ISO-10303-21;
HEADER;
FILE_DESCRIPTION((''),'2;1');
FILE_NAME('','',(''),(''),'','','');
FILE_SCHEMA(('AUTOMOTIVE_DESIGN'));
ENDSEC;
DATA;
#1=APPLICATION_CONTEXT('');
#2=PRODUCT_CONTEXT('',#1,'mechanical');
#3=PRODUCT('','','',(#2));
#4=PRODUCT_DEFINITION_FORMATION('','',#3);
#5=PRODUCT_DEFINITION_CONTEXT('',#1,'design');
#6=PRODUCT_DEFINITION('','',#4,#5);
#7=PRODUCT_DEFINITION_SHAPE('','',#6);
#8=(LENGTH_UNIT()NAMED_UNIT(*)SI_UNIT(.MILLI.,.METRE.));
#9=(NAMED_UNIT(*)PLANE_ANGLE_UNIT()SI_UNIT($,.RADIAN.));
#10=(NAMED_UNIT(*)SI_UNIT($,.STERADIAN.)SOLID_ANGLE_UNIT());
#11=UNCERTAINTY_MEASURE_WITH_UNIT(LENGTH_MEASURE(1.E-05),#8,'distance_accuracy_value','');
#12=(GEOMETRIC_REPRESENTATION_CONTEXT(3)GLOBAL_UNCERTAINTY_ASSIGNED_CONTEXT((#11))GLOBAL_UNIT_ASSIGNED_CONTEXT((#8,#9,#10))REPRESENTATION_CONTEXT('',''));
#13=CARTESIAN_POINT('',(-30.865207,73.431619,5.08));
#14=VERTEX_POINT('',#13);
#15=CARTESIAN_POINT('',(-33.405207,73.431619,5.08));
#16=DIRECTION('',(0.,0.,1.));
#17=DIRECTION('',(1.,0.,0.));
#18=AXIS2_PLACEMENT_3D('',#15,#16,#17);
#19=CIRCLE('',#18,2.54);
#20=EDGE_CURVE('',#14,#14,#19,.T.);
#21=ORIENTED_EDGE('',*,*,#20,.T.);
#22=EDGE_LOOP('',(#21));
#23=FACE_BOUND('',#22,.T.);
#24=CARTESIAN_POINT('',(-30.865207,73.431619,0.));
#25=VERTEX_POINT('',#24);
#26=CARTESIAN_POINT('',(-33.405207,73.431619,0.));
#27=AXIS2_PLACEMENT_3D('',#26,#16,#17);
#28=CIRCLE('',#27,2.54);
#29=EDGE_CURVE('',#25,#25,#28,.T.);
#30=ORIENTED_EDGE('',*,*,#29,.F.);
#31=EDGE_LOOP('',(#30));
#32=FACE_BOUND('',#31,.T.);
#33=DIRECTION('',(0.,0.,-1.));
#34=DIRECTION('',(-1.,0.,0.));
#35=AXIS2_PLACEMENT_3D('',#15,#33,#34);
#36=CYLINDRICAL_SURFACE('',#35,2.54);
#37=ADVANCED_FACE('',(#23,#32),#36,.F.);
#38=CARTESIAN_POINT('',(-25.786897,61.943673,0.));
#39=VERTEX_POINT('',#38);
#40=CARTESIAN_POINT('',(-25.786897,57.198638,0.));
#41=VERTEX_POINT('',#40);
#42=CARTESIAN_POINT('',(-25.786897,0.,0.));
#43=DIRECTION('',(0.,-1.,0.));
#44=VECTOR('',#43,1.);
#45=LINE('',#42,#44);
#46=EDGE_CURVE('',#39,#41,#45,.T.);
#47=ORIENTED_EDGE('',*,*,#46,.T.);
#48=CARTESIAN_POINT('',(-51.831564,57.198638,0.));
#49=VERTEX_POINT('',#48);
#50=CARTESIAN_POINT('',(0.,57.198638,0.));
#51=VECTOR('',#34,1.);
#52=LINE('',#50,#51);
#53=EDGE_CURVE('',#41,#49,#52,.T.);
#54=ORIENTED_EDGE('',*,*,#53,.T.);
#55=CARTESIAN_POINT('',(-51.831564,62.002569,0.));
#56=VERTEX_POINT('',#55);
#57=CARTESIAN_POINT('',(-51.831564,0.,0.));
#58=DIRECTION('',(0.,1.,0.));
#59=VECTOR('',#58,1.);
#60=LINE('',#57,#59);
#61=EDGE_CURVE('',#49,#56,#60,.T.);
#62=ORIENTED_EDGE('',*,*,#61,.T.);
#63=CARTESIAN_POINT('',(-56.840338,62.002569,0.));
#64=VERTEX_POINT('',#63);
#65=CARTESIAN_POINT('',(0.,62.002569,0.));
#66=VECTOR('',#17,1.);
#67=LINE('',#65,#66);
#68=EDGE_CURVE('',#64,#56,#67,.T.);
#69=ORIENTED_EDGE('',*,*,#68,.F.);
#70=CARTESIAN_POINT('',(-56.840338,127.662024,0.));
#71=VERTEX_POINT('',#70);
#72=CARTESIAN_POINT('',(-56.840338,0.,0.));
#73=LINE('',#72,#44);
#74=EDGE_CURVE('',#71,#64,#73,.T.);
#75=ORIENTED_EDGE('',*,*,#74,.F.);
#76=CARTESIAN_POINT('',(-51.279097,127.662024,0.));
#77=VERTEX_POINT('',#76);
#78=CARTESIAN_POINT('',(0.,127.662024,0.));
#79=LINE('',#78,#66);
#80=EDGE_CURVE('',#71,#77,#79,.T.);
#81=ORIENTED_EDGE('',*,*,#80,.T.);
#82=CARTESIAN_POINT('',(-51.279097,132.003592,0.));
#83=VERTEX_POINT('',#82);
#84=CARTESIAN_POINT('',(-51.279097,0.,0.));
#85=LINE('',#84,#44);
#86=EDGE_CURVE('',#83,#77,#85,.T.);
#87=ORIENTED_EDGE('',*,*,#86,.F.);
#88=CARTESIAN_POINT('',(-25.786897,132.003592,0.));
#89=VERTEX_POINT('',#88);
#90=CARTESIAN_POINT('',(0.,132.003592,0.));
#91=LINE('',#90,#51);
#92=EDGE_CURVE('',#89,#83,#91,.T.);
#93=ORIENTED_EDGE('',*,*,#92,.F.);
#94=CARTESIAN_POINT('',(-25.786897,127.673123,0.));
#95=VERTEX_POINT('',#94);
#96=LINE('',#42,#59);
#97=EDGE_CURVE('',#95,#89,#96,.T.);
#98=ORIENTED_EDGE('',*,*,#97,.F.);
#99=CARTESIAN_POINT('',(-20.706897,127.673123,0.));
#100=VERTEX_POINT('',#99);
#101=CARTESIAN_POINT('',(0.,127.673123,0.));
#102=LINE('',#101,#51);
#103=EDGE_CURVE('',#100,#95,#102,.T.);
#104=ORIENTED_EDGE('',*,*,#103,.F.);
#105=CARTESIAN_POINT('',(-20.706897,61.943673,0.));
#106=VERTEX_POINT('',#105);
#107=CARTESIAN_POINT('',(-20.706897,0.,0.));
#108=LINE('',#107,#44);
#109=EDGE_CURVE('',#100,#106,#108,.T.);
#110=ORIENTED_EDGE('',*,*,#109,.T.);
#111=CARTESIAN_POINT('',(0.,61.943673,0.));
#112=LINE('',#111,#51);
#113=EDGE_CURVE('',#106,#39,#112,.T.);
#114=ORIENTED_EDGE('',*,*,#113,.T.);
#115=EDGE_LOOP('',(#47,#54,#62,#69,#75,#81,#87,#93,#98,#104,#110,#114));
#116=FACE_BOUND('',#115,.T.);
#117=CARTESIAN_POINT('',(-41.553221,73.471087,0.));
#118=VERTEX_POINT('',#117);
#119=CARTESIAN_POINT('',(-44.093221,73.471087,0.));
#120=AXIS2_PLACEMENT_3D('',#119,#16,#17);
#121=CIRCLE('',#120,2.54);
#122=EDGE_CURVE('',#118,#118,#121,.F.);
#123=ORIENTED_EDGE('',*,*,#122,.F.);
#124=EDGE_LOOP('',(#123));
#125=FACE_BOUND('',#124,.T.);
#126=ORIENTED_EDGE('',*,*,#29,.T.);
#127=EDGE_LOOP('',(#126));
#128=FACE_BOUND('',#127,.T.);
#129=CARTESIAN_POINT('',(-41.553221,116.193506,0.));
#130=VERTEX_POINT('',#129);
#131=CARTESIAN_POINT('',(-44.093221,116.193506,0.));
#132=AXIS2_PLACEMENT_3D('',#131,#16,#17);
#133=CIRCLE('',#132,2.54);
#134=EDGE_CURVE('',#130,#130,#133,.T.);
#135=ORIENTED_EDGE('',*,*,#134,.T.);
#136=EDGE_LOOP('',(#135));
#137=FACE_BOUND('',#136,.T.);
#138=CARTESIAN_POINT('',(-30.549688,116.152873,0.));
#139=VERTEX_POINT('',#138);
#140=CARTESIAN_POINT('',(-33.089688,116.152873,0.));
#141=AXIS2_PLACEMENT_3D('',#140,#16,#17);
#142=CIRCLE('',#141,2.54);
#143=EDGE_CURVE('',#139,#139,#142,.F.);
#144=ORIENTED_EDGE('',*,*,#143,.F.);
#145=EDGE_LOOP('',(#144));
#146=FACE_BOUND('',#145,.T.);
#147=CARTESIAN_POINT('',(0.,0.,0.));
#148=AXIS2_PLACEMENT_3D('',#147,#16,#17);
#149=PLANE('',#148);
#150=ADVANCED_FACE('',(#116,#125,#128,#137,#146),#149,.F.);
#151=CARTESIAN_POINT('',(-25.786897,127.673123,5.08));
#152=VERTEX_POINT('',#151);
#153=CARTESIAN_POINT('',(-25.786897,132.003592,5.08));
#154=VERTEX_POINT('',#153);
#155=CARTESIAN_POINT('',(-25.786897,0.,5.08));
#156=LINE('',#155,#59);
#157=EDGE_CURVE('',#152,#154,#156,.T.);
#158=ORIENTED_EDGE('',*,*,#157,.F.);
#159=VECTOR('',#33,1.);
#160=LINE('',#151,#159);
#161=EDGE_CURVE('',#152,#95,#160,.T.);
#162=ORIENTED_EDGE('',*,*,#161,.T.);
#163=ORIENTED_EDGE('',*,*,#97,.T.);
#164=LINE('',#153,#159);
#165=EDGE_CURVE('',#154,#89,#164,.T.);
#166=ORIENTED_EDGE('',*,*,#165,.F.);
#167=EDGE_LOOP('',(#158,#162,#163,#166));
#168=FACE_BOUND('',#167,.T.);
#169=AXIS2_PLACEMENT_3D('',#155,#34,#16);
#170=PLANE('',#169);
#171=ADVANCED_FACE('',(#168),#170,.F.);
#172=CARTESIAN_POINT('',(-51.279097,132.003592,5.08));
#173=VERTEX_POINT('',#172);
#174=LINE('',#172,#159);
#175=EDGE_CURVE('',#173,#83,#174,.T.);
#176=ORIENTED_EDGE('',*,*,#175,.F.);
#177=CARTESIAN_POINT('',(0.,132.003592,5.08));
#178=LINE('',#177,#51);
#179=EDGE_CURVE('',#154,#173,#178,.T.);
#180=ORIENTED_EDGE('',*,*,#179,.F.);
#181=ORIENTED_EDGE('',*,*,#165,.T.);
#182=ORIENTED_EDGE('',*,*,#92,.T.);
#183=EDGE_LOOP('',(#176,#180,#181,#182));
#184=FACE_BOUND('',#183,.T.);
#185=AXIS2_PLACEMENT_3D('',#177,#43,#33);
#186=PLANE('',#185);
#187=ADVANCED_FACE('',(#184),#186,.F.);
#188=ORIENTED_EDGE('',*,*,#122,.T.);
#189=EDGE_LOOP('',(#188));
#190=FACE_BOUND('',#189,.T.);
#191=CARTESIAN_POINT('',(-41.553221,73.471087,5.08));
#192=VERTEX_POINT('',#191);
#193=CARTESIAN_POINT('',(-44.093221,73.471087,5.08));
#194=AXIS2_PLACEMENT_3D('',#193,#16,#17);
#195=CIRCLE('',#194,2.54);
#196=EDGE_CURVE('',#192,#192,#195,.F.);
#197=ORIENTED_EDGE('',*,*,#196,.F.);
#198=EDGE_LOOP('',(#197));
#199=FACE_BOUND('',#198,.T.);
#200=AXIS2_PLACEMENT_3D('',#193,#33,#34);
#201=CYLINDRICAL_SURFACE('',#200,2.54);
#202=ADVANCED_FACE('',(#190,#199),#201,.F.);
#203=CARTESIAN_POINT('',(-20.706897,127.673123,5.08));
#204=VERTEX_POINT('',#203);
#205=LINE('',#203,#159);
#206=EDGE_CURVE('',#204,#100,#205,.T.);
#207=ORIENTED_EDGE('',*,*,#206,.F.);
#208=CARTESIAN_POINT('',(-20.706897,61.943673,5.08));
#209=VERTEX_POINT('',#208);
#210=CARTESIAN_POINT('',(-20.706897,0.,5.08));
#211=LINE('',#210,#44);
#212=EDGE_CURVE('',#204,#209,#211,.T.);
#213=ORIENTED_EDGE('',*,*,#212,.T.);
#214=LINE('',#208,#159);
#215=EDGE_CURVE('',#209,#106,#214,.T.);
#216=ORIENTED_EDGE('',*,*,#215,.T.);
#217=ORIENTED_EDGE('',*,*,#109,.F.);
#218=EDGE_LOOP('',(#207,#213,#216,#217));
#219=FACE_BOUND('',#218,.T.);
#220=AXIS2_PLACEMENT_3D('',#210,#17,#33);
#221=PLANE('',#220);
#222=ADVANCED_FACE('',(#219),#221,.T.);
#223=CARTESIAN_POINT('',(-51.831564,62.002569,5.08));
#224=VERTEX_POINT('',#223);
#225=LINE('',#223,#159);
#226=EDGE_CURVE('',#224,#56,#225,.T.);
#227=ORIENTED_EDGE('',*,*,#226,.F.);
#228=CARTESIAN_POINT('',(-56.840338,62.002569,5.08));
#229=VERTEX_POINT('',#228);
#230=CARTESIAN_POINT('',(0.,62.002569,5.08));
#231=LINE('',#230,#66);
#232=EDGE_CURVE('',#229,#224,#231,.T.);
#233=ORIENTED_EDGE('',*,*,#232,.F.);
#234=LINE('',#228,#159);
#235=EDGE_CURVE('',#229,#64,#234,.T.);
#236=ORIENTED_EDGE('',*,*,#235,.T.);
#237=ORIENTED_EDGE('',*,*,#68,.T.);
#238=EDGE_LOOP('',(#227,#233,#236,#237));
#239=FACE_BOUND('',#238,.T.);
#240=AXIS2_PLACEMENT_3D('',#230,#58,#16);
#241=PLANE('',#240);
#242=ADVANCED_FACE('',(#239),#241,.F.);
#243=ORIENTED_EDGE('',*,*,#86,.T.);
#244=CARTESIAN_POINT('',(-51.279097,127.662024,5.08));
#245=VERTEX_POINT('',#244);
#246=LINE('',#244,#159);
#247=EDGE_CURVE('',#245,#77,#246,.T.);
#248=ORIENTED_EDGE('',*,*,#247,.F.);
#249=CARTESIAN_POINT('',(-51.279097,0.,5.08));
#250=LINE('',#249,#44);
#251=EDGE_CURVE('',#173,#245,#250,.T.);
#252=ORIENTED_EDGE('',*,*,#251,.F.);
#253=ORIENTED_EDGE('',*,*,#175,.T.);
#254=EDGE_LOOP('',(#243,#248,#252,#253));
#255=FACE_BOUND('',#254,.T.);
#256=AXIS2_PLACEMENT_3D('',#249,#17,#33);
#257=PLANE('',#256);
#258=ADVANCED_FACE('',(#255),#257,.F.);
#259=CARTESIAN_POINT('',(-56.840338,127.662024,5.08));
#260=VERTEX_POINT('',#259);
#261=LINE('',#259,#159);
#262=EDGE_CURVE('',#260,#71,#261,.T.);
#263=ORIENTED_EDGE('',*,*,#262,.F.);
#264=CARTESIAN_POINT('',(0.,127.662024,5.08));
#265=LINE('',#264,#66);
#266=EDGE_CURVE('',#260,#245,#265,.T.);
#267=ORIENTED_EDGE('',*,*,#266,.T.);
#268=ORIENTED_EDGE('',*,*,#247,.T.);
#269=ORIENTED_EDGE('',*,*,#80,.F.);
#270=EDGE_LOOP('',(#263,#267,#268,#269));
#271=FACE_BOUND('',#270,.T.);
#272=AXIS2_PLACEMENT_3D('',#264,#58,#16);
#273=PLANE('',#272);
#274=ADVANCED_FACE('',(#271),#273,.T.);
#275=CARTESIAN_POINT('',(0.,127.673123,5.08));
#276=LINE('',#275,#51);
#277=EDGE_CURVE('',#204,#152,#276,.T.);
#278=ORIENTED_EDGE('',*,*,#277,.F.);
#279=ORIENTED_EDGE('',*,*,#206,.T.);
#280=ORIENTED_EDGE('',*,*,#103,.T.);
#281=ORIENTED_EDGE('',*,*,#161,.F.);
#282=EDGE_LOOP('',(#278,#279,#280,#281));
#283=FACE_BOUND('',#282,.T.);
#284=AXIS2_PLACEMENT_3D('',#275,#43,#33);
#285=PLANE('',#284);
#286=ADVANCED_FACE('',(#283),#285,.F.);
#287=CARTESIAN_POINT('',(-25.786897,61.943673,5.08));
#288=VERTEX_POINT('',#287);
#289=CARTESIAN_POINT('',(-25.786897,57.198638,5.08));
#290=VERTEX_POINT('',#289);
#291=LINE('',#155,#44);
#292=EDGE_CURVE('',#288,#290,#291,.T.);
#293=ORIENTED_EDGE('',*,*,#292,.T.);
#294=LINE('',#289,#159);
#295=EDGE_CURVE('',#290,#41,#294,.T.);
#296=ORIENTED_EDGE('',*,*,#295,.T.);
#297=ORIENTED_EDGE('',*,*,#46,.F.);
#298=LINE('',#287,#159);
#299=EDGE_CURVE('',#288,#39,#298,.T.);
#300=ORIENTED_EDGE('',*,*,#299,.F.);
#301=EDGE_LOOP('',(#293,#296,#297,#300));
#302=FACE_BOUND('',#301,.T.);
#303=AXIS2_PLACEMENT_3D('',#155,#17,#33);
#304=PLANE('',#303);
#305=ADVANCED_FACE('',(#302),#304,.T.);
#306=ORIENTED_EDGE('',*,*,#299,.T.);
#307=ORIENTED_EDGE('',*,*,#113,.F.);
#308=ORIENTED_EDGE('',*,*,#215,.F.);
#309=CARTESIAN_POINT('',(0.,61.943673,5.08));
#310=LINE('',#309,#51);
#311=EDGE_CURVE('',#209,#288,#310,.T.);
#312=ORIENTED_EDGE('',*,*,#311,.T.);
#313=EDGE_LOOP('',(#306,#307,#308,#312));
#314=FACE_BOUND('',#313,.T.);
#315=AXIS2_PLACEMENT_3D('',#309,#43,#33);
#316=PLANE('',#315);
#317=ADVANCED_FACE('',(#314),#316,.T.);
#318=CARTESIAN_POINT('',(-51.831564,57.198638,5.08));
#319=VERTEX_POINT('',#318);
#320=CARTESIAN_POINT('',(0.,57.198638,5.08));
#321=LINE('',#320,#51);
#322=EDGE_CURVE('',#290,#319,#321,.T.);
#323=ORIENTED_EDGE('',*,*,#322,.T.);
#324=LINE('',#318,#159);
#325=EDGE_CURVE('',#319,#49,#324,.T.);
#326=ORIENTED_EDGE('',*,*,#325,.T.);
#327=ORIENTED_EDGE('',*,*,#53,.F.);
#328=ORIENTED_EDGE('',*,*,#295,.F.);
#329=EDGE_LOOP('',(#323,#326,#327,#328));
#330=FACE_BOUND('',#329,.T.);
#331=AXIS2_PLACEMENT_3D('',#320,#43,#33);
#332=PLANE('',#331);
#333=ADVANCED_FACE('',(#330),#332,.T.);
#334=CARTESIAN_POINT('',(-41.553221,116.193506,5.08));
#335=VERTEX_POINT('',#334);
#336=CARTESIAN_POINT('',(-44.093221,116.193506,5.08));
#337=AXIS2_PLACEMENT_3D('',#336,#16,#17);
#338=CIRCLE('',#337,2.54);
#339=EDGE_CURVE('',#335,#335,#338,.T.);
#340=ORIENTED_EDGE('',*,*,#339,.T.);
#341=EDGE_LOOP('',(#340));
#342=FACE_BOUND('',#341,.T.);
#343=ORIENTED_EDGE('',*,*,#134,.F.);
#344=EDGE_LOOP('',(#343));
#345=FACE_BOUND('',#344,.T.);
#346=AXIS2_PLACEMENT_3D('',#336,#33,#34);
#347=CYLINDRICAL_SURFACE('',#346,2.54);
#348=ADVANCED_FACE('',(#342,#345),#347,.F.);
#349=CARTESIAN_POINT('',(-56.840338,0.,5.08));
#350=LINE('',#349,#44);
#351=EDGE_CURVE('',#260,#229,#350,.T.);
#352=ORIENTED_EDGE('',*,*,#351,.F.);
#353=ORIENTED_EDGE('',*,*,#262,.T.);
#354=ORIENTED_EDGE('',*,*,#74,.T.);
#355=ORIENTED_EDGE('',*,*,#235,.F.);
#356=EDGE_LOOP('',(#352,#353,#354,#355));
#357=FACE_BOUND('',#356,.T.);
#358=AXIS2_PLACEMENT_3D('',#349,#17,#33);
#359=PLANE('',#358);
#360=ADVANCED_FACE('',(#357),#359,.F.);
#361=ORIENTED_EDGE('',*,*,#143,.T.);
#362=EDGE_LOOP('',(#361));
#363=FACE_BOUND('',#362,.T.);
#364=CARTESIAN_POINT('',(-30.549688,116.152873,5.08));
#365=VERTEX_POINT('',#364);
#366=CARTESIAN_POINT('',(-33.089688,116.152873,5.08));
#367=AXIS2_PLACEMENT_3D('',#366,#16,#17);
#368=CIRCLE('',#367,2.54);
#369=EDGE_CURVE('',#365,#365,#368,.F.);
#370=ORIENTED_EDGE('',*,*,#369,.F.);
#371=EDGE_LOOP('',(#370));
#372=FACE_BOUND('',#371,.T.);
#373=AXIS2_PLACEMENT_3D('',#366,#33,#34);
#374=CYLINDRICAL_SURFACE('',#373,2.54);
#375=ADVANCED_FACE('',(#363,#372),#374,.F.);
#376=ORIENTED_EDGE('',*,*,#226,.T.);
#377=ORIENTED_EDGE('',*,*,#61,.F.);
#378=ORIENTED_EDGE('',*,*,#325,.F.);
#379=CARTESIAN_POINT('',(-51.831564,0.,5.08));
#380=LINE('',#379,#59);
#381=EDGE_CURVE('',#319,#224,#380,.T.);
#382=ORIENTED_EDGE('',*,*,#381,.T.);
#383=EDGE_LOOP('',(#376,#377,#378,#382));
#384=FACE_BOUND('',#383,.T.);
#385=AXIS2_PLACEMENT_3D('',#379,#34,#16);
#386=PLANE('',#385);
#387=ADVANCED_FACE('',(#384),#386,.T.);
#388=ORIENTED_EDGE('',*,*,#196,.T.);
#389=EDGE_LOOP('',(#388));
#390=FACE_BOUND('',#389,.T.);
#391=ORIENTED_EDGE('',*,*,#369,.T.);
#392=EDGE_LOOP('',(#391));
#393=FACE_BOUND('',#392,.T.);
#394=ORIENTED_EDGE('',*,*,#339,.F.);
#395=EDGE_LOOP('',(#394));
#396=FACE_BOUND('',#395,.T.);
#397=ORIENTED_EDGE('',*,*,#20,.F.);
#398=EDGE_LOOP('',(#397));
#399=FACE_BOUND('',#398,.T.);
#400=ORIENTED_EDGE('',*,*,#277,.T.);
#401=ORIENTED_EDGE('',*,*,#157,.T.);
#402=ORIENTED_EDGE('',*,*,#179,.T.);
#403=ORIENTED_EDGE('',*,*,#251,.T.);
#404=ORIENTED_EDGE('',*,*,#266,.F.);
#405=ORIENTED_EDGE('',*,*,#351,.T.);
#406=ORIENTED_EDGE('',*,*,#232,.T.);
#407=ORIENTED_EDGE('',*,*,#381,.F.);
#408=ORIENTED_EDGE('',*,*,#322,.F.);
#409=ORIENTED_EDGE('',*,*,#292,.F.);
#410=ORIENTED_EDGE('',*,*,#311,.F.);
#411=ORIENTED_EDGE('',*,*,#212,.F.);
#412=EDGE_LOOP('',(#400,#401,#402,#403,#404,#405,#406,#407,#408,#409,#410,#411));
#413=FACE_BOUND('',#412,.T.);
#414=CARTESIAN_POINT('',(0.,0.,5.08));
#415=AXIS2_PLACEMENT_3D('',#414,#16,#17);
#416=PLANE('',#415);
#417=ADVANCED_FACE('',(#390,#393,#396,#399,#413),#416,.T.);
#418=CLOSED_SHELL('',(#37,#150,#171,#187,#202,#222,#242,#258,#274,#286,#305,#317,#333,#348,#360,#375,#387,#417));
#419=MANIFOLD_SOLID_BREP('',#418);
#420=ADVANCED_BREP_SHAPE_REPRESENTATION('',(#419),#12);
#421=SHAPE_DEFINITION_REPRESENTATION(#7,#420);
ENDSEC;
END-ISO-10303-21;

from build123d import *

# Parameters (mm, degrees)
SKETCH1_R           = 2.54
BOSS_EXTRUDE1_DEPTH = 5.08


with BuildPart() as part:
    # Sketch1 → Boss-Extrude1 (new body)
    with BuildSketch(Plane.XY):
        Polygon((-20.706897394, 61.943673476), (-20.706897394, 127.673122898), (-25.786897394, 127.673122898), (-25.786897394, 132.003591662), (-51.279097199, 132.003591662), (-51.279097199, 127.662023864), (-56.840337613, 127.662023864), (-56.840337613, 62.002568885), (-51.831563902, 62.002568885), (-51.831563902, 57.198637569), (-25.786897394, 57.198637569), (-25.786897394, 61.943673476), align=None)
        with Locations((-44.093221019, 73.47108695)):
            Circle(SKETCH1_R, mode=Mode.SUBTRACT)
        with Locations((-33.405206995, 73.431619163)):
            Circle(SKETCH1_R, mode=Mode.SUBTRACT)
        with Locations((-44.093221019, 116.1935058)):
            Circle(SKETCH1_R, mode=Mode.SUBTRACT)
        with Locations((-33.089687892, 116.152872892)):
            Circle(SKETCH1_R, mode=Mode.SUBTRACT)
    extrude(amount=BOSS_EXTRUDE1_DEPTH)


solid = part.part
